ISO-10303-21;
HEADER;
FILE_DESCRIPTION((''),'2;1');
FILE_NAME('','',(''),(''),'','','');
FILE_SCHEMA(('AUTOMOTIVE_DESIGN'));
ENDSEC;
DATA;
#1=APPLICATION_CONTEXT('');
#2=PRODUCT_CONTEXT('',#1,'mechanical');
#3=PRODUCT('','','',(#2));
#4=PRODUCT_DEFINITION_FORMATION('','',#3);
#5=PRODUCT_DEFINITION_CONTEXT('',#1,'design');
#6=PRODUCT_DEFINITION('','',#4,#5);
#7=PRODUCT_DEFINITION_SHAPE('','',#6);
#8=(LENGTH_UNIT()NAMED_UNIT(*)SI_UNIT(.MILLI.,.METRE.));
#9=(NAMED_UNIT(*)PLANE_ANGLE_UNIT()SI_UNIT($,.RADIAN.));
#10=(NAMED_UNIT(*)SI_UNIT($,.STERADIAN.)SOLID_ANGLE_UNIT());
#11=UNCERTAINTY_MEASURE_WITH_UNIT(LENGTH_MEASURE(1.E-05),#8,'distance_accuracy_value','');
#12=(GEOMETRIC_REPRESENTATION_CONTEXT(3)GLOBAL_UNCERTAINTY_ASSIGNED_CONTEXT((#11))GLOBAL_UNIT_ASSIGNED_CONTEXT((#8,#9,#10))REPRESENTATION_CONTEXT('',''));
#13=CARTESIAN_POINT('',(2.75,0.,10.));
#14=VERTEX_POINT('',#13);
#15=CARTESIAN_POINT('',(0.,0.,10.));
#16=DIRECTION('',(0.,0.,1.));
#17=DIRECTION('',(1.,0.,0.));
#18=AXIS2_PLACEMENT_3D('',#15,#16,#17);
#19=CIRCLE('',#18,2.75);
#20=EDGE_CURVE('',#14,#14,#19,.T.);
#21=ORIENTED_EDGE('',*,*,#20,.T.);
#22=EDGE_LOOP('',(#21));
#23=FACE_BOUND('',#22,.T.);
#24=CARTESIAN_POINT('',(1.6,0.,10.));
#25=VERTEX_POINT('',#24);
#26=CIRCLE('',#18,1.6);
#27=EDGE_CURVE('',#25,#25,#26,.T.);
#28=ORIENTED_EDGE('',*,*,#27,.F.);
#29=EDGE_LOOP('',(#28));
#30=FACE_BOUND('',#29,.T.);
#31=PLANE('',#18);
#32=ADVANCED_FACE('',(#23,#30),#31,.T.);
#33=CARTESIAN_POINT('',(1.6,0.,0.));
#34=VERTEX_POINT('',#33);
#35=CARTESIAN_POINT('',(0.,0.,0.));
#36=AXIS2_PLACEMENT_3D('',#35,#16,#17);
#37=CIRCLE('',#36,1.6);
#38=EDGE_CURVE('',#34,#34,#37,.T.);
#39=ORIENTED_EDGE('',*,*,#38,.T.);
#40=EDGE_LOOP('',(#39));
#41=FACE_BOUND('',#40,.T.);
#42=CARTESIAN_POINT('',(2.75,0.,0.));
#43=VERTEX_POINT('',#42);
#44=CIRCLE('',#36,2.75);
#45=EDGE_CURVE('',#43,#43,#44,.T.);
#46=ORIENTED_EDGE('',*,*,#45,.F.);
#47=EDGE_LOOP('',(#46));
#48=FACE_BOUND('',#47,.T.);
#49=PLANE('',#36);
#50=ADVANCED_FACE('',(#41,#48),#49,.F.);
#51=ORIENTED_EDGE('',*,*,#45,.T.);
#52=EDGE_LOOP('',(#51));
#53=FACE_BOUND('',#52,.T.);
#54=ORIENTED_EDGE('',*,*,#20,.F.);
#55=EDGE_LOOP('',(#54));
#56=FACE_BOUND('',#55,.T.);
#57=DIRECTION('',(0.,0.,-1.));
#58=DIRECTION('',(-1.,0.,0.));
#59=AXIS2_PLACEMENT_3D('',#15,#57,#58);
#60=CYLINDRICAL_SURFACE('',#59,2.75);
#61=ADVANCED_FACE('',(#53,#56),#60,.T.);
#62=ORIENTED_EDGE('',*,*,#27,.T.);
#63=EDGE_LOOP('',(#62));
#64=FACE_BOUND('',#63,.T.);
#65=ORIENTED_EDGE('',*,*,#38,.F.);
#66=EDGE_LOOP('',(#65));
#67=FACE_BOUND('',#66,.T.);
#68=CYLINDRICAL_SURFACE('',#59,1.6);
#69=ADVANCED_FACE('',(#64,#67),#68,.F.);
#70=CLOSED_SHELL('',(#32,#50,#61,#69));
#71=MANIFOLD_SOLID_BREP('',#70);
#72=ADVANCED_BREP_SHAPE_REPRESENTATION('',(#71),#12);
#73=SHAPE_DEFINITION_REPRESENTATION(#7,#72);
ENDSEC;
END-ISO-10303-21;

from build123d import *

# Parameters (mm, degrees)
SKETCH_1_R      = 2.75
SKETCH_1_R_2    = 1.6
EXTRUDE_1_DEPTH = 10


with BuildPart() as part:
    # 草圖1 → 填料-伸長1 (new body)
    with BuildSketch(Plane.XY):
        Circle(SKETCH_1_R)
        Circle(SKETCH_1_R_2, mode=Mode.SUBTRACT)
    extrude(amount=EXTRUDE_1_DEPTH)


solid = part.part
